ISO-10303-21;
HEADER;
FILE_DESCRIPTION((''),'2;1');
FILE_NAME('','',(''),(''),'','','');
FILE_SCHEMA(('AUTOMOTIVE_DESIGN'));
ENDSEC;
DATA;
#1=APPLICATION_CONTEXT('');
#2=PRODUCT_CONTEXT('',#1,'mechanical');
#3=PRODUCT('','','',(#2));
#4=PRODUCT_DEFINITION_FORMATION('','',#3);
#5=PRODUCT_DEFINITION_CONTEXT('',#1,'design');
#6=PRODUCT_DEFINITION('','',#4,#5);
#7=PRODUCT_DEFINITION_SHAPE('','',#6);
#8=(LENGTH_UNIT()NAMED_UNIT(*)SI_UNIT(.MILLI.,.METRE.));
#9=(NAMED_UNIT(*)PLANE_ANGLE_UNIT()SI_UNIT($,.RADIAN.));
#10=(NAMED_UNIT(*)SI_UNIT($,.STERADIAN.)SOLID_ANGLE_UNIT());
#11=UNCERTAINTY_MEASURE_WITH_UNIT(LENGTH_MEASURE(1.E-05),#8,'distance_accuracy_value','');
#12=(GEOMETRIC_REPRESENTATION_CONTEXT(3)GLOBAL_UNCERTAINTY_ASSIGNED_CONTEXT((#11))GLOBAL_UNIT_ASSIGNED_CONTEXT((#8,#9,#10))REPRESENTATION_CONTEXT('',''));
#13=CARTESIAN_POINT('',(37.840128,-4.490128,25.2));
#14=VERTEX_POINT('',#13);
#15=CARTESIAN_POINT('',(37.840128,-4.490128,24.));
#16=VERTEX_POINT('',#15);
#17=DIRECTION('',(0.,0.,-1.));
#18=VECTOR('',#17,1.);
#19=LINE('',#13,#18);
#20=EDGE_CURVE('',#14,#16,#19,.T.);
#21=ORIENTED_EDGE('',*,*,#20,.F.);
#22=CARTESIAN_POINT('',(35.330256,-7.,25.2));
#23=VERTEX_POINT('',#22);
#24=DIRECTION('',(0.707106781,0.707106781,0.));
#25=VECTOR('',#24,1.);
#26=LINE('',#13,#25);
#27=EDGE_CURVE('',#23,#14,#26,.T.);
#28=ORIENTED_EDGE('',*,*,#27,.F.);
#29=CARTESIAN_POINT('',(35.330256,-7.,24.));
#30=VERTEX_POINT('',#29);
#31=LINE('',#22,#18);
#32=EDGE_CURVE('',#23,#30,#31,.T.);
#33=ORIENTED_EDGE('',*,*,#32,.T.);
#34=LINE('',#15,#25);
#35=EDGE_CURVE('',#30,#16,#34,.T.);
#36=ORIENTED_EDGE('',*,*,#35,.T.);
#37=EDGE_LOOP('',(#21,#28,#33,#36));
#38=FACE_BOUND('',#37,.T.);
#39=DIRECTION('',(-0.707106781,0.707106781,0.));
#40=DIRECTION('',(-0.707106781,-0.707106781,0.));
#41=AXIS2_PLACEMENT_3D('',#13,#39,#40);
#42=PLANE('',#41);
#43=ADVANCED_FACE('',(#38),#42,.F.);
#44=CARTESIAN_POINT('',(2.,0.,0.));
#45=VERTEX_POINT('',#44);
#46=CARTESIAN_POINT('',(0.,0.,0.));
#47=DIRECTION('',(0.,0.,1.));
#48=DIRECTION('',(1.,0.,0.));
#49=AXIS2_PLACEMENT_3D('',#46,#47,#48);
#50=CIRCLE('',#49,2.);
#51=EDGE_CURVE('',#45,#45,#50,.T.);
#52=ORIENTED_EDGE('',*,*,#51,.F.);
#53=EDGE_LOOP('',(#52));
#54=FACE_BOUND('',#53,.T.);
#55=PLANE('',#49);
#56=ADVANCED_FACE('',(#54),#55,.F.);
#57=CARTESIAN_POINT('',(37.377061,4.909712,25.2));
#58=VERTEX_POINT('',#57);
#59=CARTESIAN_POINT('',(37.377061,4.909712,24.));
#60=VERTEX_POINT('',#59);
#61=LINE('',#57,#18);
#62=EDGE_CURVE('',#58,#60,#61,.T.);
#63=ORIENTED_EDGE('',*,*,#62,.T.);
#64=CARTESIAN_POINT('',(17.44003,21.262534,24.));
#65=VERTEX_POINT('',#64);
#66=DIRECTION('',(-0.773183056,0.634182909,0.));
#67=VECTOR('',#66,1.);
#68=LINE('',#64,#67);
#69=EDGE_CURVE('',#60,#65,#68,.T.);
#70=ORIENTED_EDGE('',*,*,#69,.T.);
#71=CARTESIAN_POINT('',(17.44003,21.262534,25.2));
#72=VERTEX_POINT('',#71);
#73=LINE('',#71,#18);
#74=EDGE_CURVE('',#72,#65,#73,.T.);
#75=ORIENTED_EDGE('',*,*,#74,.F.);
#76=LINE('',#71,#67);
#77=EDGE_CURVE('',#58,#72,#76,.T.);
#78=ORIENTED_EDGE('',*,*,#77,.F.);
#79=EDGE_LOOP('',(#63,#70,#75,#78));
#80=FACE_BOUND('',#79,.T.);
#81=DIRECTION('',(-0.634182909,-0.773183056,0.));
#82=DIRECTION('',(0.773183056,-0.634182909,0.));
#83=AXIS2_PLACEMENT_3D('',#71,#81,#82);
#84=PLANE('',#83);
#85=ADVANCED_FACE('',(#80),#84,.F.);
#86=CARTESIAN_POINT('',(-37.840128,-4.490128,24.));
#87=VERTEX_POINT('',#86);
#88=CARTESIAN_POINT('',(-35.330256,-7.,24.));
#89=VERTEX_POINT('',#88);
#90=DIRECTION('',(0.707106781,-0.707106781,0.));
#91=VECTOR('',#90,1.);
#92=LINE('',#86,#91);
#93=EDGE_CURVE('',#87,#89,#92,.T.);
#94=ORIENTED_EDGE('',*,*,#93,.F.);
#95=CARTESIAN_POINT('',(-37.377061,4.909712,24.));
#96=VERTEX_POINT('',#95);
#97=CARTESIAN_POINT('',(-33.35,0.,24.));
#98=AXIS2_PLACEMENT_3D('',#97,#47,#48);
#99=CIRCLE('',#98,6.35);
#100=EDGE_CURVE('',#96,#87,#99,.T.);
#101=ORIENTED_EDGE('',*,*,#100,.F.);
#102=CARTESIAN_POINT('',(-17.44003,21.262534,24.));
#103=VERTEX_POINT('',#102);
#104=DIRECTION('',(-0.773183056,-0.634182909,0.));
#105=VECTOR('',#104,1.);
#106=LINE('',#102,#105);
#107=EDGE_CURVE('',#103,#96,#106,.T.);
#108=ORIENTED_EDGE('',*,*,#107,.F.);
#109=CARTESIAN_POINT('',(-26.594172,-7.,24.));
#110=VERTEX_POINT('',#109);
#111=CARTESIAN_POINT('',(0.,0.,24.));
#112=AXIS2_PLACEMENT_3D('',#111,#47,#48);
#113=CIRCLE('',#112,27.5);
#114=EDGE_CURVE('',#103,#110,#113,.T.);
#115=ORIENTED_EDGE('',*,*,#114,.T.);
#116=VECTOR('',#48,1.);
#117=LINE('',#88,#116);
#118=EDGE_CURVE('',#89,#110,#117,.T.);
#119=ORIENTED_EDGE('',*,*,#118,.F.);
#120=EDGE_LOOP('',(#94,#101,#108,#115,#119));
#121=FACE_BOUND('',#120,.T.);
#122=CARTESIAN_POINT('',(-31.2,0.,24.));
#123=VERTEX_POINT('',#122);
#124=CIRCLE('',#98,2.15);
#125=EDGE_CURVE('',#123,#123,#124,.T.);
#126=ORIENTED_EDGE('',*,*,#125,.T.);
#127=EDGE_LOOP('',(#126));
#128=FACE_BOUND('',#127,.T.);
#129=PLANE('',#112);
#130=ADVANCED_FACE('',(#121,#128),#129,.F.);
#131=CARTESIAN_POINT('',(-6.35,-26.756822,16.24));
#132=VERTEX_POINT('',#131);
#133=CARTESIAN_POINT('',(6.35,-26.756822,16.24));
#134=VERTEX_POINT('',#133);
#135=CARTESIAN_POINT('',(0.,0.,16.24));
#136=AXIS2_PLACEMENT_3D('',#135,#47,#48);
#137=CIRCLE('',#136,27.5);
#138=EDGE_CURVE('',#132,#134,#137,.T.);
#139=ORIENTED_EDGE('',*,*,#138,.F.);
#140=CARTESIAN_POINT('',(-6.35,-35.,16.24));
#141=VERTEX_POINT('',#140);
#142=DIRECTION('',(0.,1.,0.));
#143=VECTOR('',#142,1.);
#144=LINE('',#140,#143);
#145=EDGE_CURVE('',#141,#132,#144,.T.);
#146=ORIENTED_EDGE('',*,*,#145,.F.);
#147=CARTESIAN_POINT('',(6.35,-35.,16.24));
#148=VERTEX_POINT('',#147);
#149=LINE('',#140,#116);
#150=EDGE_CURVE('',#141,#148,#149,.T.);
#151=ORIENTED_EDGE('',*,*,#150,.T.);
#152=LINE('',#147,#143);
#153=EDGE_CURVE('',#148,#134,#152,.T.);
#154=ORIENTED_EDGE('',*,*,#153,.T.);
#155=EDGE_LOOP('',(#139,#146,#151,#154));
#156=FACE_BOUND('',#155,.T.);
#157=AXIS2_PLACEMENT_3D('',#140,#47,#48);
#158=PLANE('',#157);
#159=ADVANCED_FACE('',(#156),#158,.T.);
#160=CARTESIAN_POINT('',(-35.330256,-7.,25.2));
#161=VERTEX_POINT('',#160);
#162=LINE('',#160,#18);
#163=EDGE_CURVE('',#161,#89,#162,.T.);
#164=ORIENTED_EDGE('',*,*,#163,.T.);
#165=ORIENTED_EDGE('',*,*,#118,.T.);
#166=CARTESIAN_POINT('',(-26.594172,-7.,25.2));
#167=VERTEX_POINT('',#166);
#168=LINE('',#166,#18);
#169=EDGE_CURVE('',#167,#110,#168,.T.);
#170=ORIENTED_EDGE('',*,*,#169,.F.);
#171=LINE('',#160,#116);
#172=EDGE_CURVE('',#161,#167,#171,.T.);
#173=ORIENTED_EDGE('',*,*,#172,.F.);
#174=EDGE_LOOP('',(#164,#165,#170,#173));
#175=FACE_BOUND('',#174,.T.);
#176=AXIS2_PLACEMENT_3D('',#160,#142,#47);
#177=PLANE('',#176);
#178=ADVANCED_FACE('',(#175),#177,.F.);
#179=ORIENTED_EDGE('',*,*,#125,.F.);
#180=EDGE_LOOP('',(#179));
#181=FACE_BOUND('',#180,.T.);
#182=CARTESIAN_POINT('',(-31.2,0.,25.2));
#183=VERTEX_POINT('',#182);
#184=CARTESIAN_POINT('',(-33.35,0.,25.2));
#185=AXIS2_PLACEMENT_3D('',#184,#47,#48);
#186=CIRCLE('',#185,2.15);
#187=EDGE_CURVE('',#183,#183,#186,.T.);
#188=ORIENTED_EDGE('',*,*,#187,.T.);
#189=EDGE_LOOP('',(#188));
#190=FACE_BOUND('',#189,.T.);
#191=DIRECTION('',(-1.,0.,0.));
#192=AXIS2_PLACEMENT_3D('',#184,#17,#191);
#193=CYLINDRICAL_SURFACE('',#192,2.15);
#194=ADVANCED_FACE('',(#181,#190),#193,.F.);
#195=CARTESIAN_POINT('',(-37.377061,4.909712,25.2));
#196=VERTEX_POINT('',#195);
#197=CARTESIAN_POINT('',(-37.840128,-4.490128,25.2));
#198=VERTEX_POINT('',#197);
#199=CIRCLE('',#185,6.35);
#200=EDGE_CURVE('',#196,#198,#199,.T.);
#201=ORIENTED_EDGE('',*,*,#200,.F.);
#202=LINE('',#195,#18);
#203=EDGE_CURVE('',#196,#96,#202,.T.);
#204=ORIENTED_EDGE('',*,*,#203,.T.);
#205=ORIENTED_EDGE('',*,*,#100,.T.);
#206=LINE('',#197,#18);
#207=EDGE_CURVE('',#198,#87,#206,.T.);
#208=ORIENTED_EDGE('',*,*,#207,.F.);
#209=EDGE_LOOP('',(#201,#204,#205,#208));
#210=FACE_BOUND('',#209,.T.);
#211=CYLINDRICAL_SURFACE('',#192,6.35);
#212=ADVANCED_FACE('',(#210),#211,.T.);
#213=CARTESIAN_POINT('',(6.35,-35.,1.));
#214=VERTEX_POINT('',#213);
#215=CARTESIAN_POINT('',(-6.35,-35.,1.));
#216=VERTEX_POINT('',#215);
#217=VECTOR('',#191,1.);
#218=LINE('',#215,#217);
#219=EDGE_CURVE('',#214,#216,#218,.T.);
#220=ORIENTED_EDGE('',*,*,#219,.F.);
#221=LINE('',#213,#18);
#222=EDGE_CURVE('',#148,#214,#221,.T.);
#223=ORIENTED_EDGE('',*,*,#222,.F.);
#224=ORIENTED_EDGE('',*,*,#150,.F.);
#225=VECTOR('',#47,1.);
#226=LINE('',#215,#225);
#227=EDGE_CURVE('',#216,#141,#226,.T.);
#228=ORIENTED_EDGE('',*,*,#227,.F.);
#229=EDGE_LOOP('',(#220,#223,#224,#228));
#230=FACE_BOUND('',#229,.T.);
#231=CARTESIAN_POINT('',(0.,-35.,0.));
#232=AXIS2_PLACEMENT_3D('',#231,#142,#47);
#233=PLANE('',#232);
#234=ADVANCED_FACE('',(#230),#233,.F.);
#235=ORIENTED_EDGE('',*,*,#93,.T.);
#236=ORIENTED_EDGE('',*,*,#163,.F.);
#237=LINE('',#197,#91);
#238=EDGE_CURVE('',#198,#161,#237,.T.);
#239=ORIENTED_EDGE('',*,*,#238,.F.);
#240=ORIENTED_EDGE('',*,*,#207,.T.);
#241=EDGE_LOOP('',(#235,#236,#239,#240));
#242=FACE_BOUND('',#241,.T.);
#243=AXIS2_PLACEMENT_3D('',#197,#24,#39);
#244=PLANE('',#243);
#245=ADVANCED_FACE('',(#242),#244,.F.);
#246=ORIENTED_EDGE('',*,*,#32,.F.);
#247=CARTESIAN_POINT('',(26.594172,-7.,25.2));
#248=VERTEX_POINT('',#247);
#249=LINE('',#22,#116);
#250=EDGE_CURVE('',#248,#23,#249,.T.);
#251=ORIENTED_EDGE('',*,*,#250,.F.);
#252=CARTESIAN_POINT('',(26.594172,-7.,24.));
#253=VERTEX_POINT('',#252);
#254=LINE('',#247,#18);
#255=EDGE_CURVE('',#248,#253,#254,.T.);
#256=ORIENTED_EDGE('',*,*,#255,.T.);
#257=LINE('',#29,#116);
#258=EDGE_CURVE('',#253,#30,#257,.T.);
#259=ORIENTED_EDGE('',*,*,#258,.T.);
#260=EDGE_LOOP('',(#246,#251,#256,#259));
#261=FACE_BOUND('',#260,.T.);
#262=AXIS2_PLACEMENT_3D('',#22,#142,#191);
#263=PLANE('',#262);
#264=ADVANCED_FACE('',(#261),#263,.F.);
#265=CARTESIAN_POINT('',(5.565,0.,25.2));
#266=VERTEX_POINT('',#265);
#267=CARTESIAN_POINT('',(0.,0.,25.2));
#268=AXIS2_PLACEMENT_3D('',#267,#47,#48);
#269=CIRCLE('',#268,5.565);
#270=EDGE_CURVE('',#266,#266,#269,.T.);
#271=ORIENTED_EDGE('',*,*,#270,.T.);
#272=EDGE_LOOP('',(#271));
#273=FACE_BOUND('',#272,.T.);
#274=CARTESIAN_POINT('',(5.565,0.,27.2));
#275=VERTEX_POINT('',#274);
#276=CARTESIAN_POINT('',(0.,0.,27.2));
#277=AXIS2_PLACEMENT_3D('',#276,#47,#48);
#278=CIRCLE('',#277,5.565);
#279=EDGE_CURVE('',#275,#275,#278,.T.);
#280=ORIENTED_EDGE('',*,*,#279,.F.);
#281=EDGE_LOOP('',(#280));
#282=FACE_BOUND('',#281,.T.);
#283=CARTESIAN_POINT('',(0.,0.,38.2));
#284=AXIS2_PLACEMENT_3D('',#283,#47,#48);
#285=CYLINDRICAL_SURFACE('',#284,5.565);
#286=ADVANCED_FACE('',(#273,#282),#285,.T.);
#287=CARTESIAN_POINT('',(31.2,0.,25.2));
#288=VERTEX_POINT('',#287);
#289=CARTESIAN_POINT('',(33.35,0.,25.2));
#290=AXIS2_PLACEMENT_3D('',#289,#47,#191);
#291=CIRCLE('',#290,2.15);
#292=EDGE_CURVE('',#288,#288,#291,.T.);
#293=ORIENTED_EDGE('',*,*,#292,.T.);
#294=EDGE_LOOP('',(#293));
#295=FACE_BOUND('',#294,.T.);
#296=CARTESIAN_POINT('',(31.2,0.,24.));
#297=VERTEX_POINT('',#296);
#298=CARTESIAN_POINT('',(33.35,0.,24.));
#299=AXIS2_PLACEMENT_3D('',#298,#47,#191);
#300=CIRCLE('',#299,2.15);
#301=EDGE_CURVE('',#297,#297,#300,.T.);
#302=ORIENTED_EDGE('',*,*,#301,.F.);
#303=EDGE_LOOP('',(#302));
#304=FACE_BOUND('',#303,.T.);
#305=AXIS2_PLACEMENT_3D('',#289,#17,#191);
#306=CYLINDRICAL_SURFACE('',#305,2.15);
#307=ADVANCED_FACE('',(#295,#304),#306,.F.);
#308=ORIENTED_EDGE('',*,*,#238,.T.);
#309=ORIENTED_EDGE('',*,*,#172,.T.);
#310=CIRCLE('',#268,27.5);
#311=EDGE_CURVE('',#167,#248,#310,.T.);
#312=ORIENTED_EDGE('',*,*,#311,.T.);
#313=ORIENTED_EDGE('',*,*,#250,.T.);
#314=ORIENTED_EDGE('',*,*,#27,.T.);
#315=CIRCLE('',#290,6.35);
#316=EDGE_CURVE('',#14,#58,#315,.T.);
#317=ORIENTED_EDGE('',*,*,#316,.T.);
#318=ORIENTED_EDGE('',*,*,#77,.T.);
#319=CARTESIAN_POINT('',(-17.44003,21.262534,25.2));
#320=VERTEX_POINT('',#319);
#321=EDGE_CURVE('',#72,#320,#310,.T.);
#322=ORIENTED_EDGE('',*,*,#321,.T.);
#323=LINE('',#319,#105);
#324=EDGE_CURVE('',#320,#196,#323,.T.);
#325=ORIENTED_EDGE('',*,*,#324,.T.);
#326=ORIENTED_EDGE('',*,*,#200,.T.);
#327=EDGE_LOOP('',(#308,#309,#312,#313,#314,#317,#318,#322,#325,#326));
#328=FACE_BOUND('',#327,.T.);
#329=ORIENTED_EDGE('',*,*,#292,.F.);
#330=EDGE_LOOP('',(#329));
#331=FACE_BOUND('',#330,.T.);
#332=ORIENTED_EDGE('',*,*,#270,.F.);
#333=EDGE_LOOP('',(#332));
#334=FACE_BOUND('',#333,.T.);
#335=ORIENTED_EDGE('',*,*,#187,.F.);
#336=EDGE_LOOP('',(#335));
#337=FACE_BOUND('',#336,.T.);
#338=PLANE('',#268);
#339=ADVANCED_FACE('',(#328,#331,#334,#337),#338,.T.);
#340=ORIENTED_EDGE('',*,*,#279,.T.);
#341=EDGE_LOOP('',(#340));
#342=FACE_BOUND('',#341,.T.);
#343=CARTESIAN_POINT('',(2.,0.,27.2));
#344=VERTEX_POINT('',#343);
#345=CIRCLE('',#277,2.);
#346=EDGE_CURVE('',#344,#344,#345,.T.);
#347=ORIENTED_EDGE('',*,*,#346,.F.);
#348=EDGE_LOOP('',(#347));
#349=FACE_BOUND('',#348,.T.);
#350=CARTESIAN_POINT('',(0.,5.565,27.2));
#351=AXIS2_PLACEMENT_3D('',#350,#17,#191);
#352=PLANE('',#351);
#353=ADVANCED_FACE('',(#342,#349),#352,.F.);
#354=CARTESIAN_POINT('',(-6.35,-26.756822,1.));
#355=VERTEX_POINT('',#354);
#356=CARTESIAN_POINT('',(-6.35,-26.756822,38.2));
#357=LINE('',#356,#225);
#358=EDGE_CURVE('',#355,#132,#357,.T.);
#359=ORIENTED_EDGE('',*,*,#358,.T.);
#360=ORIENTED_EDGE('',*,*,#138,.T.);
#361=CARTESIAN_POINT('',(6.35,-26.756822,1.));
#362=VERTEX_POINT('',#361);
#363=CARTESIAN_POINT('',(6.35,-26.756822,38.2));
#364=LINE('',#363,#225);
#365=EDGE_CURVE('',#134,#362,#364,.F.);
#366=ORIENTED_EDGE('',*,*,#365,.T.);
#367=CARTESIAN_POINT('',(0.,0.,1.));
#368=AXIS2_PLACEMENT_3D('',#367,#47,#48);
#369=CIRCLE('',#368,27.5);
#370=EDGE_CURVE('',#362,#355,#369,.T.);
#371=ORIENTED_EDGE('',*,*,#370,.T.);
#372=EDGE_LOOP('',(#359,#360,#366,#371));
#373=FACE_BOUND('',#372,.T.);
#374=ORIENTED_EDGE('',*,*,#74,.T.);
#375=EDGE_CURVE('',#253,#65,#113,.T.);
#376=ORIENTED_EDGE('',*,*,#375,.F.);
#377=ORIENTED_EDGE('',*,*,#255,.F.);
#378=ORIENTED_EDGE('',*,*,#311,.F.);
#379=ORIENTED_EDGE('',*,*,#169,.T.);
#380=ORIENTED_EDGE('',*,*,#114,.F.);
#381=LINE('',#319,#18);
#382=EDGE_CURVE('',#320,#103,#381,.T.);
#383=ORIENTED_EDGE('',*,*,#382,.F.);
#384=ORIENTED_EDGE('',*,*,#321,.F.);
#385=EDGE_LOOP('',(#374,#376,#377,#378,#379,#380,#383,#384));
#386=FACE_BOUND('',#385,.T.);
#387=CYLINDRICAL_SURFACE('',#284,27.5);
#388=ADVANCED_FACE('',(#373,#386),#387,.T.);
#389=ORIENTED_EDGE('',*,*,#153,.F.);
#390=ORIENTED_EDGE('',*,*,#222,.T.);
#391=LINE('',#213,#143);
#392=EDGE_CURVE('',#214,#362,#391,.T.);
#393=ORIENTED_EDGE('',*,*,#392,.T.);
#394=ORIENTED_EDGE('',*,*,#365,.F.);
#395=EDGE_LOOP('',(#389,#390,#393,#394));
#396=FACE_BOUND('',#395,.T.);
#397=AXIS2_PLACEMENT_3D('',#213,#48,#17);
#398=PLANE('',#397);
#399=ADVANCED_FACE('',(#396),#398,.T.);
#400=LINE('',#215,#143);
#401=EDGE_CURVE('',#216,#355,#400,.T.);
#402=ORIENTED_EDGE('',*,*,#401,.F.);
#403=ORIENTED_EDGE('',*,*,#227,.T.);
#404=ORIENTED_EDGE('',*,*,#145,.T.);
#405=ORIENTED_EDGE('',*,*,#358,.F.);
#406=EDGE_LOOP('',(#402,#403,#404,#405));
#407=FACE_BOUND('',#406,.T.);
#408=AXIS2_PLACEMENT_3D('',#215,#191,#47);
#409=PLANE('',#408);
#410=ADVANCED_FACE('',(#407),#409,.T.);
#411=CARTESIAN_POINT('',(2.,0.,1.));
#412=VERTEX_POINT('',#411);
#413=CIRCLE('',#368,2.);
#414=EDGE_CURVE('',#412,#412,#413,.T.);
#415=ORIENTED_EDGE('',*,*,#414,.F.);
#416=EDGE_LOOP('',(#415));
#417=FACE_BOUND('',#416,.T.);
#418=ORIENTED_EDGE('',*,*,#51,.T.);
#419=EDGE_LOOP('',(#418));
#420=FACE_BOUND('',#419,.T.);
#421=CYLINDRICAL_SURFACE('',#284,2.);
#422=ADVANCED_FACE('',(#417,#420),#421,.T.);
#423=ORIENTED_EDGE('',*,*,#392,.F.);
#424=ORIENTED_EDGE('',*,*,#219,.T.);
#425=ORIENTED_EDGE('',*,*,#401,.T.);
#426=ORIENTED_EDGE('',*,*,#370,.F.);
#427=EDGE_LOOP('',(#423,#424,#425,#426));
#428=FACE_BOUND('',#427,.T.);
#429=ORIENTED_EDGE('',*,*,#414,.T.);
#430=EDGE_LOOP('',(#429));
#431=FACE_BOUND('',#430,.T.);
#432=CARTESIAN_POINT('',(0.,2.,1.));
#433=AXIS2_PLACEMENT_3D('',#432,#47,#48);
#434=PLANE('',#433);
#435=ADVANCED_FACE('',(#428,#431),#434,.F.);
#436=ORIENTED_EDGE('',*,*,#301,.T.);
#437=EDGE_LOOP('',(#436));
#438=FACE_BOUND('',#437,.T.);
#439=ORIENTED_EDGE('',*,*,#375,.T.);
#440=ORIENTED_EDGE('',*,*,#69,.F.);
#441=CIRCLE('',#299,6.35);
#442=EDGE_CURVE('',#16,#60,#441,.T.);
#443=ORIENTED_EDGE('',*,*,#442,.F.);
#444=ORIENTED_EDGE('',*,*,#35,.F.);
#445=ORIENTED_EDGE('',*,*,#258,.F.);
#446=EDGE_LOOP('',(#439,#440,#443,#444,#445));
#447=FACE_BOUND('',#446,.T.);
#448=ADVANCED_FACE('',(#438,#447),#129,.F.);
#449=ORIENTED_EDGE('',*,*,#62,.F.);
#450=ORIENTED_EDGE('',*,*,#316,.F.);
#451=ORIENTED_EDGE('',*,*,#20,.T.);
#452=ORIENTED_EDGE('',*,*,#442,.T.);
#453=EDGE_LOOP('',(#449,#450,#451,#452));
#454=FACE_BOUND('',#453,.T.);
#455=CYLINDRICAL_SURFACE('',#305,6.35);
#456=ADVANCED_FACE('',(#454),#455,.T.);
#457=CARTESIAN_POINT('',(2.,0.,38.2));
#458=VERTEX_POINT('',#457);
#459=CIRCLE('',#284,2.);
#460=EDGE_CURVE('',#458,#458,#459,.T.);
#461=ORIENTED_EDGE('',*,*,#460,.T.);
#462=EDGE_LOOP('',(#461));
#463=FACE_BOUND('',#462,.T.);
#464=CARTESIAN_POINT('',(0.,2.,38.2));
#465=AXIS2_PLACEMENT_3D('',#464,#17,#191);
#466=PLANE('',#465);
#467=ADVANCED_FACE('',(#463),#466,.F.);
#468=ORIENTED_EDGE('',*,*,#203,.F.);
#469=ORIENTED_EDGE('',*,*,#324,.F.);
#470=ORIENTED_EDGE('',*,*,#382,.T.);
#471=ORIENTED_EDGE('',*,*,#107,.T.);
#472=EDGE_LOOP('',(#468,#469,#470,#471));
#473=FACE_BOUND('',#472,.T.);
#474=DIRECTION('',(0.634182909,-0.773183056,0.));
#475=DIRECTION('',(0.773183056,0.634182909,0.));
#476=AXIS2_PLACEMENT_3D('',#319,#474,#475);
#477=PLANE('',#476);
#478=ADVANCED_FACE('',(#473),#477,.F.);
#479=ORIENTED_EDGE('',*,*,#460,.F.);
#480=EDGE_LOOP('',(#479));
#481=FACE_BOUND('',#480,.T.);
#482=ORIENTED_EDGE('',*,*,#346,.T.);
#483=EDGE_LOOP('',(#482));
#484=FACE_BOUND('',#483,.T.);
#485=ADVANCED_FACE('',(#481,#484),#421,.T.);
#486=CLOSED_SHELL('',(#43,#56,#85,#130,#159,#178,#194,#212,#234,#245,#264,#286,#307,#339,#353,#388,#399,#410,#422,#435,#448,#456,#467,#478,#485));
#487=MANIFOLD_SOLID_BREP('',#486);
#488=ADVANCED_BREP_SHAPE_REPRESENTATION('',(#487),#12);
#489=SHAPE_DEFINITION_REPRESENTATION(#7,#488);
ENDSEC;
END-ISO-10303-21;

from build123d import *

# Parameters (mm, degrees)
SKETCH2_R           = 2.15
SKETCH2_R_2         = 5.565
BOSS_EXTRUDE1_DEPTH = 1.2
SKETCH3_W           = 12.7
SKETCH3_H           = 15.24
BOSS_EXTRUDE2_DEPTH = 35


with BuildPart() as part:
    # Sketch1 → Revolve1 (revolve)
    with BuildSketch(Plane(origin=(0, 0, 0), x_dir=(0, 0, -1), z_dir=(1, 0, 0))):
        Polygon((0, 0), (0, 2), (-1, 2), (-1, 27.5), (-24, 27.5), (-24, 5.565), (-27.2, 5.565), (-27.2, 2), (-38.2, 2), (-38.2, 0), align=None)
    revolve(axis=Axis((0, 0, 38.2), (0, 0, -1)))

    # Sketch2 → Boss-Extrude1 (add)
    with BuildSketch(Plane.XY.offset(24)):
        with BuildLine():
            Line((-17.440029985, 21.262534048), (-37.377061469, 4.909712407))
            ThreePointArc((-37.377061469, 4.909712407), (-39.692308695, 0.312442672), (-37.840128061, -4.490128061))
            Line((-37.840128061, -4.490128061), (-35.330256121, -7))
            Line((-35.330256121, -7), (-26.594172294, -7))
            ThreePointArc((-26.594172294, -7), (0, -27.5), (26.594172294, -7))
            Line((26.594172294, -7), (35.330256121, -7))
            Line((35.330256121, -7), (37.840128061, -4.490128061))
            ThreePointArc((37.840128061, -4.490128061), (39.692308695, 0.312442672), (37.377061469, 4.909712407))
            Line((37.377061469, 4.909712407), (17.440029985, 21.262534048))
            ThreePointArc((17.440029985, 21.262534048), (0, 27.5), (-17.440029985, 21.262534048))
        make_face()
        with Locations((-33.35, 0)):
            Circle(SKETCH2_R, mode=Mode.SUBTRACT)
        with Locations((33.35, 0)):
            Circle(SKETCH2_R, mode=Mode.SUBTRACT)
        Circle(SKETCH2_R_2, mode=Mode.SUBTRACT)
    extrude(amount=BOSS_EXTRUDE1_DEPTH)

    # Sketch3 → Boss-Extrude2 (add)
    with BuildSketch(Plane(origin=(0, 0, 0), x_dir=(1, 0, 0), z_dir=(0, 1, 0))):
        with Locations((0, -8.62)):
            Rectangle(SKETCH3_W, SKETCH3_H)
    extrude(amount=-BOSS_EXTRUDE2_DEPTH)


solid = part.part
